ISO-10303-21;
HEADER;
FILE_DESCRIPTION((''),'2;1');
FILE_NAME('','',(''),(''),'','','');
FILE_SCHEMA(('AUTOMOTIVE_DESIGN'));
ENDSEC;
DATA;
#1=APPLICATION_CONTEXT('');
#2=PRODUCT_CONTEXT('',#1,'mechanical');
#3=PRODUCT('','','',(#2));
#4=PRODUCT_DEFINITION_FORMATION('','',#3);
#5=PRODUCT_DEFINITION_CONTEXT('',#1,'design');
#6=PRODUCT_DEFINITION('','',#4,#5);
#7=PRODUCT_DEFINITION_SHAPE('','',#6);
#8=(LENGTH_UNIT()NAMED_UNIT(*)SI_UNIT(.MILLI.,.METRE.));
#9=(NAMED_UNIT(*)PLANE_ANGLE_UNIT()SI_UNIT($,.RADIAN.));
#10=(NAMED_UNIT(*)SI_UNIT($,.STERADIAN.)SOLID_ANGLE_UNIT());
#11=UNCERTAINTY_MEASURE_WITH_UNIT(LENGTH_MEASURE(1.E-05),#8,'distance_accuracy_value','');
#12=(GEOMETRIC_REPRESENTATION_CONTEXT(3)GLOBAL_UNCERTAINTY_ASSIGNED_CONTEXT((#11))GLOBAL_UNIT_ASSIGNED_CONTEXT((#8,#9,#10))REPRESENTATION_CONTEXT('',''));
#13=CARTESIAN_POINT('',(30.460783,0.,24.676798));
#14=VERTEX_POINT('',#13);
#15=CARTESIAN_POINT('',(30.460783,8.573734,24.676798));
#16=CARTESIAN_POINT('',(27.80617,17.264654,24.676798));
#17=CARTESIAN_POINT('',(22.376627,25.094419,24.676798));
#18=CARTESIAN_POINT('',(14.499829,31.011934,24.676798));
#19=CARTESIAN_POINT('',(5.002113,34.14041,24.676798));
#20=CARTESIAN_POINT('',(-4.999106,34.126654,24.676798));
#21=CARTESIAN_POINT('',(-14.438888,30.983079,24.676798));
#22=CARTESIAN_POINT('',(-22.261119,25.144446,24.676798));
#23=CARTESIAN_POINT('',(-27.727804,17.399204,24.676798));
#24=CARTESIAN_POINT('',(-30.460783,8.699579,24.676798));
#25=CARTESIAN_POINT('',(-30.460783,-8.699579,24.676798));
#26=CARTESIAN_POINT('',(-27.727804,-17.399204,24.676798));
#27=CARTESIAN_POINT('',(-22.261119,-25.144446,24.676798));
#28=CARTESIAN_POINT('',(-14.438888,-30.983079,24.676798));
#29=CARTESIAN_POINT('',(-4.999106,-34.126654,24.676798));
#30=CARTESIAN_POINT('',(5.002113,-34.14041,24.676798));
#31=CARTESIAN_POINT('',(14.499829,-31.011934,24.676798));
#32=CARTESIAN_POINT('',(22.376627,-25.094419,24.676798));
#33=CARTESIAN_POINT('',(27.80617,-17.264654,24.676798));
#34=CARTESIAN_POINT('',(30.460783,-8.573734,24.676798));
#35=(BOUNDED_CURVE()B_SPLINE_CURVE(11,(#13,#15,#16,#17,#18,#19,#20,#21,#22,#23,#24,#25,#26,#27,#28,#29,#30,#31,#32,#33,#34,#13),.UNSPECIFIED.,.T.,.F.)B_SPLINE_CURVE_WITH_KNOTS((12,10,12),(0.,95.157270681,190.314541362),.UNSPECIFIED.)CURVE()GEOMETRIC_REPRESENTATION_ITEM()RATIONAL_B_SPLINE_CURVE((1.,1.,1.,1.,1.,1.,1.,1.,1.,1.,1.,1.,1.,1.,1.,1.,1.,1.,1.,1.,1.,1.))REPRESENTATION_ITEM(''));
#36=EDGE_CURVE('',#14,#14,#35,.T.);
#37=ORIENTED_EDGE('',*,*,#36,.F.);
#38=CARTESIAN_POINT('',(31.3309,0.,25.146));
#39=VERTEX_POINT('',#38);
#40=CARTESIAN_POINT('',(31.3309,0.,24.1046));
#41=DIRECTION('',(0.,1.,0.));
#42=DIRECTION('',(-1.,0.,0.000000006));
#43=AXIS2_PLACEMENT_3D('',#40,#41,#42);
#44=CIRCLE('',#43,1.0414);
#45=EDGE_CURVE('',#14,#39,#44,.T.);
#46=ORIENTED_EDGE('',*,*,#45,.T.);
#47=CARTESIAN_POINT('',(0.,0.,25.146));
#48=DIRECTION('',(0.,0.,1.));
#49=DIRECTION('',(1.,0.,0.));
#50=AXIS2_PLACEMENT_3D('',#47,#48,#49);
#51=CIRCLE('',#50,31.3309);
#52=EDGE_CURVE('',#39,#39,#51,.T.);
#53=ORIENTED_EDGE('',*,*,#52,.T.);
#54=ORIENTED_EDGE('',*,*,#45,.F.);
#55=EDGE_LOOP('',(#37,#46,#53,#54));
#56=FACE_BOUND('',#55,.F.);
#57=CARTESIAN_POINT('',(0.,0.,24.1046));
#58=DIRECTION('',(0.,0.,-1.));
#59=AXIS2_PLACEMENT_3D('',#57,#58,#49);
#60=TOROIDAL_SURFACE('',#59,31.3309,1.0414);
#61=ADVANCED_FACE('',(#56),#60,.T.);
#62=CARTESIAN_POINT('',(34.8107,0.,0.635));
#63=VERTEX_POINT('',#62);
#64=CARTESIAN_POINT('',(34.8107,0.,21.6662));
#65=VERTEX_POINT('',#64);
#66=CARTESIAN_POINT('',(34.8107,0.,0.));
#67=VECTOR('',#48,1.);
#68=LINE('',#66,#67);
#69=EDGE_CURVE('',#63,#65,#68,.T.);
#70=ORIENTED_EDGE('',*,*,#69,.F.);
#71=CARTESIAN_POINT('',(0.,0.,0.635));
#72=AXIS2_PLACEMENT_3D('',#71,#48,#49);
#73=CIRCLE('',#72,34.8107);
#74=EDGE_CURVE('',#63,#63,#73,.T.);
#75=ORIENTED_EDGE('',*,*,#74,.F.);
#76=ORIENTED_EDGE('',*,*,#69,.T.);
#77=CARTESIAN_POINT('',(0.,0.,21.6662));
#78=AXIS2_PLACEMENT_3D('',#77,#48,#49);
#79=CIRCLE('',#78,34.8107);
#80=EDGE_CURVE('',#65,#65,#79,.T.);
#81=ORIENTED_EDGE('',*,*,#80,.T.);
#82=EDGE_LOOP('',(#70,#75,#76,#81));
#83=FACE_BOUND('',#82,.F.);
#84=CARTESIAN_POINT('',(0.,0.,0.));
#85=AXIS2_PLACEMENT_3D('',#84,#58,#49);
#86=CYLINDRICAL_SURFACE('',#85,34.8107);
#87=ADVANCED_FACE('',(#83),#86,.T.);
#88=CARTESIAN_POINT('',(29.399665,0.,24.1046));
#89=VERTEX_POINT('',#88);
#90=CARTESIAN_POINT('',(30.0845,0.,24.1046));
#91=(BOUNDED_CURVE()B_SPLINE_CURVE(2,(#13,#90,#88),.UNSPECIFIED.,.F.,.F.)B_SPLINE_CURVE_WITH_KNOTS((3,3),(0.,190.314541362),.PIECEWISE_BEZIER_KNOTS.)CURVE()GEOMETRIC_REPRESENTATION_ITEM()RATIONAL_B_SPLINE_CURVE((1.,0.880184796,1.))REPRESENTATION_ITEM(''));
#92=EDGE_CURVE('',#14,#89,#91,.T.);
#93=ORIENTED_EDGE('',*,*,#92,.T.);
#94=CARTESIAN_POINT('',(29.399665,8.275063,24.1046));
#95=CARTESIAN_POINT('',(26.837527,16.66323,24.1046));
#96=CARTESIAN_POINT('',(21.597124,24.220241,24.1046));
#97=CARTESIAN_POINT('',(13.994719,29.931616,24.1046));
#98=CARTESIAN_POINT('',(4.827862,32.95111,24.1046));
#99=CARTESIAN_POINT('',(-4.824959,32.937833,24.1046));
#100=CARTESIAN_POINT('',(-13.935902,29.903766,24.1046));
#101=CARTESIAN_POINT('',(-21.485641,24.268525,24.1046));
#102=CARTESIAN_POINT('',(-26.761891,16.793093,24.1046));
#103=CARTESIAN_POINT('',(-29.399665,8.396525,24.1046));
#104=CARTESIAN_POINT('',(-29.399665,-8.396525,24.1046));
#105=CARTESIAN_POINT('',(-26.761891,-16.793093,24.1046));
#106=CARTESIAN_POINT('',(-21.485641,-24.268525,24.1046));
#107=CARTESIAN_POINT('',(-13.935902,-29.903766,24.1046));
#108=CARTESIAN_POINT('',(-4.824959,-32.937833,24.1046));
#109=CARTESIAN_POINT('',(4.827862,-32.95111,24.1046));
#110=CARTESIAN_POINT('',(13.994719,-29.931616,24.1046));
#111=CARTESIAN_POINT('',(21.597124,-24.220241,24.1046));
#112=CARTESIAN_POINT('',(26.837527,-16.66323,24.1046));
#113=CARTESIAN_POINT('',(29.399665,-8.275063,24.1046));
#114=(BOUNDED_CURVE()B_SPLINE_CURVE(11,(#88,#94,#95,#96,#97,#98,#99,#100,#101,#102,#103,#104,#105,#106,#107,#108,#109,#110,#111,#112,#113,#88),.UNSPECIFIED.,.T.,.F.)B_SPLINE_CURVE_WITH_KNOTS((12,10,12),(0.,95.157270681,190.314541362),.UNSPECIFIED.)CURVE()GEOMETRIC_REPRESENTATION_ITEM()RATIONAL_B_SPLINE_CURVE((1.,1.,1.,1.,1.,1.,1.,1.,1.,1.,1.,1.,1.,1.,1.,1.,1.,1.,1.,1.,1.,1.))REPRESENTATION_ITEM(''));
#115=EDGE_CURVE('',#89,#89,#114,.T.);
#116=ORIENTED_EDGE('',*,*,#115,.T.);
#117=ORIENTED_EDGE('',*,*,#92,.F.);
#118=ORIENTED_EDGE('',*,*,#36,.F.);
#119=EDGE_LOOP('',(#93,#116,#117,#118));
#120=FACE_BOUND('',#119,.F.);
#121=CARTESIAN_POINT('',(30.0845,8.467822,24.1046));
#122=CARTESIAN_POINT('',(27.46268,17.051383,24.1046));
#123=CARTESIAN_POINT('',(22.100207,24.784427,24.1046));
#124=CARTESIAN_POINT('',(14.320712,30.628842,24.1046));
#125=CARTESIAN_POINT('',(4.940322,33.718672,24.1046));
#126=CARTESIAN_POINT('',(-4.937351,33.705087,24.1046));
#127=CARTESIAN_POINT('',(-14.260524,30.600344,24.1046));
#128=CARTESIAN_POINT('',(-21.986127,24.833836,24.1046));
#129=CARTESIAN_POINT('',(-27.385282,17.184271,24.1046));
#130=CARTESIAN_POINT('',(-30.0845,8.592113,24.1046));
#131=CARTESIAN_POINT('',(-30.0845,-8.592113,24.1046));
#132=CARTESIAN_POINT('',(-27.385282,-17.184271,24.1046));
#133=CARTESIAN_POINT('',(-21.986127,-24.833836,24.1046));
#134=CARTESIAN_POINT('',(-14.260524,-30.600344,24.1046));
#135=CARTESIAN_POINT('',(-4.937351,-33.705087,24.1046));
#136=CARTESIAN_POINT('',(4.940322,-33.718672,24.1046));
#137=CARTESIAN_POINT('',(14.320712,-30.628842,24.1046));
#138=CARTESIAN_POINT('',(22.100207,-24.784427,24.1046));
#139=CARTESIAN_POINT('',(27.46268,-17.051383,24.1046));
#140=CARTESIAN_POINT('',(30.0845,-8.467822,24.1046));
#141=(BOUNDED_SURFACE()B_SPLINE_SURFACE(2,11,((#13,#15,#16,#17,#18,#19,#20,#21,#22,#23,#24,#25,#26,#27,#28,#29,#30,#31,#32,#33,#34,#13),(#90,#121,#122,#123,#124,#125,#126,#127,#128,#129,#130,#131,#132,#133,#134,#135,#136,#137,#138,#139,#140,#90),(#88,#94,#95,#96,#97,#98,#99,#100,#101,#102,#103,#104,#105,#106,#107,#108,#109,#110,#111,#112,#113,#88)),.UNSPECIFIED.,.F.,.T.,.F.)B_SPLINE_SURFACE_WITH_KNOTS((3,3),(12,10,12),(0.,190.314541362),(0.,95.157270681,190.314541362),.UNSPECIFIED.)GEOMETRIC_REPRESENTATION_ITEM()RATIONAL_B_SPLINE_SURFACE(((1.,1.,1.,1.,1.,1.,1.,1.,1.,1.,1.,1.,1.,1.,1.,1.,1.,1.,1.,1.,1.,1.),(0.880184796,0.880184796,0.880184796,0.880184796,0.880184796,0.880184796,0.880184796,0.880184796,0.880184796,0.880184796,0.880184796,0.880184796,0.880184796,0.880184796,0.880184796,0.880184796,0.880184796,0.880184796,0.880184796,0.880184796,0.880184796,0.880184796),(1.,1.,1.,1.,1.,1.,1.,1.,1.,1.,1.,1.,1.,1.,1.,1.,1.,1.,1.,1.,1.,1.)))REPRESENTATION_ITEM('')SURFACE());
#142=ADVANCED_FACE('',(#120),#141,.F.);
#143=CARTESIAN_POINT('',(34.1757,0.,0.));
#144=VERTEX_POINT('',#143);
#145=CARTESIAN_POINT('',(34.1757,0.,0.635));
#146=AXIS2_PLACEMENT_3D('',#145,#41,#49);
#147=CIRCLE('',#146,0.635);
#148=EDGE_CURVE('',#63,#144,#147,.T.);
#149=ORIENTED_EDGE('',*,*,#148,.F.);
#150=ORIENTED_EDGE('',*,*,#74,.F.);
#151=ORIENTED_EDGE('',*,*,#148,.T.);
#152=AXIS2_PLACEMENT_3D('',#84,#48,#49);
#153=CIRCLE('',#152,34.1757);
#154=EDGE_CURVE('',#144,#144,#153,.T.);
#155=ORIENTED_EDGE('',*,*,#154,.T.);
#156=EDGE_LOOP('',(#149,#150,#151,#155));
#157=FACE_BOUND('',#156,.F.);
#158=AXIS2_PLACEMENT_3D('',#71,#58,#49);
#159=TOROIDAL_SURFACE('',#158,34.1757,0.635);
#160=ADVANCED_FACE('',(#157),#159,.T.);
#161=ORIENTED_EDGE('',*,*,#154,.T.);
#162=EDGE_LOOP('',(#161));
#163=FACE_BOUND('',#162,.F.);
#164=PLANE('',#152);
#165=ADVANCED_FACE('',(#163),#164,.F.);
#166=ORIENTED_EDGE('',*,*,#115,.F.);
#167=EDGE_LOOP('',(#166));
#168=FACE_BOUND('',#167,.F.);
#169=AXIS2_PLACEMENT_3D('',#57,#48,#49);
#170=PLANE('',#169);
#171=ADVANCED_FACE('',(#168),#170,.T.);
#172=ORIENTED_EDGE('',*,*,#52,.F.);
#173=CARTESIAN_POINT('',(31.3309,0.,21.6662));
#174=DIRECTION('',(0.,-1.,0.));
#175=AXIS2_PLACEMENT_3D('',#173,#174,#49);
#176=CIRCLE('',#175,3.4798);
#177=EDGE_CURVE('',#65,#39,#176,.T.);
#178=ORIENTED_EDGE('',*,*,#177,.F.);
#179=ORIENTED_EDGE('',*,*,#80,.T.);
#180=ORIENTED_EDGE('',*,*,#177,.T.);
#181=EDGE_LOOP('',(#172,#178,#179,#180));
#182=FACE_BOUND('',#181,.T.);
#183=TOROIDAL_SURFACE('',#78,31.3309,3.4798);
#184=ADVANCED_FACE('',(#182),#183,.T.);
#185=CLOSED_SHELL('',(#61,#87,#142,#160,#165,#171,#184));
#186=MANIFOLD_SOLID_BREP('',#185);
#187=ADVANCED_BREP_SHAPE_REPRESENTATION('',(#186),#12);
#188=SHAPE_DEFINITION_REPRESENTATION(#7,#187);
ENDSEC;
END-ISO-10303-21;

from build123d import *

# Parameters (mm, degrees)
F0_R     = 34.8107
F1_DEPTH = 25.146
F2_R     = 3.4798
F3_R     = 0.635
F6_R     = 1.27


with BuildPart() as f1:
    # F0 (on Top) → F1 (new body)
    with BuildSketch(Plane.XY):
        Circle(F0_R)
    extrude(amount=F1_DEPTH)

    # F2
    f2_edges = [f1.edges().sort_by_distance(p)[0] for p in [
        (-34.8107, 0, 25.146),
    ]]
    fillet(f2_edges, radius=F2_R)

    # F3
    f3_edges = [f1.edges().sort_by_distance(p)[0] for p in [
        (-34.8107, 0, 0),
    ]]
    fillet(f3_edges, radius=F3_R)

    # F4 (on Front) → F5 (revolve, cut)
    with BuildSketch(Plane.XZ):
        with BuildLine():
            Line((0, 25.146), (0, 24.1046))
            Line((0, 24.1046), (30.2895, 24.1046))
            ThreePointArc((30.2895, 24.1046), (30.594519, 24.840981), (31.3309, 25.146))
            Line((31.3309, 25.146), (0, 25.146))
        make_face()
    revolve(axis=Axis((0, 0, 24.6253), (0, 0, 1)), mode=Mode.SUBTRACT)

    # F6
    f6_edges = [f1.edges().sort_by_distance(p)[0] for p in [
        (-30.2895, 0, 24.1046),
    ]]
    fillet(f6_edges, radius=F6_R)


solid = f1.part
